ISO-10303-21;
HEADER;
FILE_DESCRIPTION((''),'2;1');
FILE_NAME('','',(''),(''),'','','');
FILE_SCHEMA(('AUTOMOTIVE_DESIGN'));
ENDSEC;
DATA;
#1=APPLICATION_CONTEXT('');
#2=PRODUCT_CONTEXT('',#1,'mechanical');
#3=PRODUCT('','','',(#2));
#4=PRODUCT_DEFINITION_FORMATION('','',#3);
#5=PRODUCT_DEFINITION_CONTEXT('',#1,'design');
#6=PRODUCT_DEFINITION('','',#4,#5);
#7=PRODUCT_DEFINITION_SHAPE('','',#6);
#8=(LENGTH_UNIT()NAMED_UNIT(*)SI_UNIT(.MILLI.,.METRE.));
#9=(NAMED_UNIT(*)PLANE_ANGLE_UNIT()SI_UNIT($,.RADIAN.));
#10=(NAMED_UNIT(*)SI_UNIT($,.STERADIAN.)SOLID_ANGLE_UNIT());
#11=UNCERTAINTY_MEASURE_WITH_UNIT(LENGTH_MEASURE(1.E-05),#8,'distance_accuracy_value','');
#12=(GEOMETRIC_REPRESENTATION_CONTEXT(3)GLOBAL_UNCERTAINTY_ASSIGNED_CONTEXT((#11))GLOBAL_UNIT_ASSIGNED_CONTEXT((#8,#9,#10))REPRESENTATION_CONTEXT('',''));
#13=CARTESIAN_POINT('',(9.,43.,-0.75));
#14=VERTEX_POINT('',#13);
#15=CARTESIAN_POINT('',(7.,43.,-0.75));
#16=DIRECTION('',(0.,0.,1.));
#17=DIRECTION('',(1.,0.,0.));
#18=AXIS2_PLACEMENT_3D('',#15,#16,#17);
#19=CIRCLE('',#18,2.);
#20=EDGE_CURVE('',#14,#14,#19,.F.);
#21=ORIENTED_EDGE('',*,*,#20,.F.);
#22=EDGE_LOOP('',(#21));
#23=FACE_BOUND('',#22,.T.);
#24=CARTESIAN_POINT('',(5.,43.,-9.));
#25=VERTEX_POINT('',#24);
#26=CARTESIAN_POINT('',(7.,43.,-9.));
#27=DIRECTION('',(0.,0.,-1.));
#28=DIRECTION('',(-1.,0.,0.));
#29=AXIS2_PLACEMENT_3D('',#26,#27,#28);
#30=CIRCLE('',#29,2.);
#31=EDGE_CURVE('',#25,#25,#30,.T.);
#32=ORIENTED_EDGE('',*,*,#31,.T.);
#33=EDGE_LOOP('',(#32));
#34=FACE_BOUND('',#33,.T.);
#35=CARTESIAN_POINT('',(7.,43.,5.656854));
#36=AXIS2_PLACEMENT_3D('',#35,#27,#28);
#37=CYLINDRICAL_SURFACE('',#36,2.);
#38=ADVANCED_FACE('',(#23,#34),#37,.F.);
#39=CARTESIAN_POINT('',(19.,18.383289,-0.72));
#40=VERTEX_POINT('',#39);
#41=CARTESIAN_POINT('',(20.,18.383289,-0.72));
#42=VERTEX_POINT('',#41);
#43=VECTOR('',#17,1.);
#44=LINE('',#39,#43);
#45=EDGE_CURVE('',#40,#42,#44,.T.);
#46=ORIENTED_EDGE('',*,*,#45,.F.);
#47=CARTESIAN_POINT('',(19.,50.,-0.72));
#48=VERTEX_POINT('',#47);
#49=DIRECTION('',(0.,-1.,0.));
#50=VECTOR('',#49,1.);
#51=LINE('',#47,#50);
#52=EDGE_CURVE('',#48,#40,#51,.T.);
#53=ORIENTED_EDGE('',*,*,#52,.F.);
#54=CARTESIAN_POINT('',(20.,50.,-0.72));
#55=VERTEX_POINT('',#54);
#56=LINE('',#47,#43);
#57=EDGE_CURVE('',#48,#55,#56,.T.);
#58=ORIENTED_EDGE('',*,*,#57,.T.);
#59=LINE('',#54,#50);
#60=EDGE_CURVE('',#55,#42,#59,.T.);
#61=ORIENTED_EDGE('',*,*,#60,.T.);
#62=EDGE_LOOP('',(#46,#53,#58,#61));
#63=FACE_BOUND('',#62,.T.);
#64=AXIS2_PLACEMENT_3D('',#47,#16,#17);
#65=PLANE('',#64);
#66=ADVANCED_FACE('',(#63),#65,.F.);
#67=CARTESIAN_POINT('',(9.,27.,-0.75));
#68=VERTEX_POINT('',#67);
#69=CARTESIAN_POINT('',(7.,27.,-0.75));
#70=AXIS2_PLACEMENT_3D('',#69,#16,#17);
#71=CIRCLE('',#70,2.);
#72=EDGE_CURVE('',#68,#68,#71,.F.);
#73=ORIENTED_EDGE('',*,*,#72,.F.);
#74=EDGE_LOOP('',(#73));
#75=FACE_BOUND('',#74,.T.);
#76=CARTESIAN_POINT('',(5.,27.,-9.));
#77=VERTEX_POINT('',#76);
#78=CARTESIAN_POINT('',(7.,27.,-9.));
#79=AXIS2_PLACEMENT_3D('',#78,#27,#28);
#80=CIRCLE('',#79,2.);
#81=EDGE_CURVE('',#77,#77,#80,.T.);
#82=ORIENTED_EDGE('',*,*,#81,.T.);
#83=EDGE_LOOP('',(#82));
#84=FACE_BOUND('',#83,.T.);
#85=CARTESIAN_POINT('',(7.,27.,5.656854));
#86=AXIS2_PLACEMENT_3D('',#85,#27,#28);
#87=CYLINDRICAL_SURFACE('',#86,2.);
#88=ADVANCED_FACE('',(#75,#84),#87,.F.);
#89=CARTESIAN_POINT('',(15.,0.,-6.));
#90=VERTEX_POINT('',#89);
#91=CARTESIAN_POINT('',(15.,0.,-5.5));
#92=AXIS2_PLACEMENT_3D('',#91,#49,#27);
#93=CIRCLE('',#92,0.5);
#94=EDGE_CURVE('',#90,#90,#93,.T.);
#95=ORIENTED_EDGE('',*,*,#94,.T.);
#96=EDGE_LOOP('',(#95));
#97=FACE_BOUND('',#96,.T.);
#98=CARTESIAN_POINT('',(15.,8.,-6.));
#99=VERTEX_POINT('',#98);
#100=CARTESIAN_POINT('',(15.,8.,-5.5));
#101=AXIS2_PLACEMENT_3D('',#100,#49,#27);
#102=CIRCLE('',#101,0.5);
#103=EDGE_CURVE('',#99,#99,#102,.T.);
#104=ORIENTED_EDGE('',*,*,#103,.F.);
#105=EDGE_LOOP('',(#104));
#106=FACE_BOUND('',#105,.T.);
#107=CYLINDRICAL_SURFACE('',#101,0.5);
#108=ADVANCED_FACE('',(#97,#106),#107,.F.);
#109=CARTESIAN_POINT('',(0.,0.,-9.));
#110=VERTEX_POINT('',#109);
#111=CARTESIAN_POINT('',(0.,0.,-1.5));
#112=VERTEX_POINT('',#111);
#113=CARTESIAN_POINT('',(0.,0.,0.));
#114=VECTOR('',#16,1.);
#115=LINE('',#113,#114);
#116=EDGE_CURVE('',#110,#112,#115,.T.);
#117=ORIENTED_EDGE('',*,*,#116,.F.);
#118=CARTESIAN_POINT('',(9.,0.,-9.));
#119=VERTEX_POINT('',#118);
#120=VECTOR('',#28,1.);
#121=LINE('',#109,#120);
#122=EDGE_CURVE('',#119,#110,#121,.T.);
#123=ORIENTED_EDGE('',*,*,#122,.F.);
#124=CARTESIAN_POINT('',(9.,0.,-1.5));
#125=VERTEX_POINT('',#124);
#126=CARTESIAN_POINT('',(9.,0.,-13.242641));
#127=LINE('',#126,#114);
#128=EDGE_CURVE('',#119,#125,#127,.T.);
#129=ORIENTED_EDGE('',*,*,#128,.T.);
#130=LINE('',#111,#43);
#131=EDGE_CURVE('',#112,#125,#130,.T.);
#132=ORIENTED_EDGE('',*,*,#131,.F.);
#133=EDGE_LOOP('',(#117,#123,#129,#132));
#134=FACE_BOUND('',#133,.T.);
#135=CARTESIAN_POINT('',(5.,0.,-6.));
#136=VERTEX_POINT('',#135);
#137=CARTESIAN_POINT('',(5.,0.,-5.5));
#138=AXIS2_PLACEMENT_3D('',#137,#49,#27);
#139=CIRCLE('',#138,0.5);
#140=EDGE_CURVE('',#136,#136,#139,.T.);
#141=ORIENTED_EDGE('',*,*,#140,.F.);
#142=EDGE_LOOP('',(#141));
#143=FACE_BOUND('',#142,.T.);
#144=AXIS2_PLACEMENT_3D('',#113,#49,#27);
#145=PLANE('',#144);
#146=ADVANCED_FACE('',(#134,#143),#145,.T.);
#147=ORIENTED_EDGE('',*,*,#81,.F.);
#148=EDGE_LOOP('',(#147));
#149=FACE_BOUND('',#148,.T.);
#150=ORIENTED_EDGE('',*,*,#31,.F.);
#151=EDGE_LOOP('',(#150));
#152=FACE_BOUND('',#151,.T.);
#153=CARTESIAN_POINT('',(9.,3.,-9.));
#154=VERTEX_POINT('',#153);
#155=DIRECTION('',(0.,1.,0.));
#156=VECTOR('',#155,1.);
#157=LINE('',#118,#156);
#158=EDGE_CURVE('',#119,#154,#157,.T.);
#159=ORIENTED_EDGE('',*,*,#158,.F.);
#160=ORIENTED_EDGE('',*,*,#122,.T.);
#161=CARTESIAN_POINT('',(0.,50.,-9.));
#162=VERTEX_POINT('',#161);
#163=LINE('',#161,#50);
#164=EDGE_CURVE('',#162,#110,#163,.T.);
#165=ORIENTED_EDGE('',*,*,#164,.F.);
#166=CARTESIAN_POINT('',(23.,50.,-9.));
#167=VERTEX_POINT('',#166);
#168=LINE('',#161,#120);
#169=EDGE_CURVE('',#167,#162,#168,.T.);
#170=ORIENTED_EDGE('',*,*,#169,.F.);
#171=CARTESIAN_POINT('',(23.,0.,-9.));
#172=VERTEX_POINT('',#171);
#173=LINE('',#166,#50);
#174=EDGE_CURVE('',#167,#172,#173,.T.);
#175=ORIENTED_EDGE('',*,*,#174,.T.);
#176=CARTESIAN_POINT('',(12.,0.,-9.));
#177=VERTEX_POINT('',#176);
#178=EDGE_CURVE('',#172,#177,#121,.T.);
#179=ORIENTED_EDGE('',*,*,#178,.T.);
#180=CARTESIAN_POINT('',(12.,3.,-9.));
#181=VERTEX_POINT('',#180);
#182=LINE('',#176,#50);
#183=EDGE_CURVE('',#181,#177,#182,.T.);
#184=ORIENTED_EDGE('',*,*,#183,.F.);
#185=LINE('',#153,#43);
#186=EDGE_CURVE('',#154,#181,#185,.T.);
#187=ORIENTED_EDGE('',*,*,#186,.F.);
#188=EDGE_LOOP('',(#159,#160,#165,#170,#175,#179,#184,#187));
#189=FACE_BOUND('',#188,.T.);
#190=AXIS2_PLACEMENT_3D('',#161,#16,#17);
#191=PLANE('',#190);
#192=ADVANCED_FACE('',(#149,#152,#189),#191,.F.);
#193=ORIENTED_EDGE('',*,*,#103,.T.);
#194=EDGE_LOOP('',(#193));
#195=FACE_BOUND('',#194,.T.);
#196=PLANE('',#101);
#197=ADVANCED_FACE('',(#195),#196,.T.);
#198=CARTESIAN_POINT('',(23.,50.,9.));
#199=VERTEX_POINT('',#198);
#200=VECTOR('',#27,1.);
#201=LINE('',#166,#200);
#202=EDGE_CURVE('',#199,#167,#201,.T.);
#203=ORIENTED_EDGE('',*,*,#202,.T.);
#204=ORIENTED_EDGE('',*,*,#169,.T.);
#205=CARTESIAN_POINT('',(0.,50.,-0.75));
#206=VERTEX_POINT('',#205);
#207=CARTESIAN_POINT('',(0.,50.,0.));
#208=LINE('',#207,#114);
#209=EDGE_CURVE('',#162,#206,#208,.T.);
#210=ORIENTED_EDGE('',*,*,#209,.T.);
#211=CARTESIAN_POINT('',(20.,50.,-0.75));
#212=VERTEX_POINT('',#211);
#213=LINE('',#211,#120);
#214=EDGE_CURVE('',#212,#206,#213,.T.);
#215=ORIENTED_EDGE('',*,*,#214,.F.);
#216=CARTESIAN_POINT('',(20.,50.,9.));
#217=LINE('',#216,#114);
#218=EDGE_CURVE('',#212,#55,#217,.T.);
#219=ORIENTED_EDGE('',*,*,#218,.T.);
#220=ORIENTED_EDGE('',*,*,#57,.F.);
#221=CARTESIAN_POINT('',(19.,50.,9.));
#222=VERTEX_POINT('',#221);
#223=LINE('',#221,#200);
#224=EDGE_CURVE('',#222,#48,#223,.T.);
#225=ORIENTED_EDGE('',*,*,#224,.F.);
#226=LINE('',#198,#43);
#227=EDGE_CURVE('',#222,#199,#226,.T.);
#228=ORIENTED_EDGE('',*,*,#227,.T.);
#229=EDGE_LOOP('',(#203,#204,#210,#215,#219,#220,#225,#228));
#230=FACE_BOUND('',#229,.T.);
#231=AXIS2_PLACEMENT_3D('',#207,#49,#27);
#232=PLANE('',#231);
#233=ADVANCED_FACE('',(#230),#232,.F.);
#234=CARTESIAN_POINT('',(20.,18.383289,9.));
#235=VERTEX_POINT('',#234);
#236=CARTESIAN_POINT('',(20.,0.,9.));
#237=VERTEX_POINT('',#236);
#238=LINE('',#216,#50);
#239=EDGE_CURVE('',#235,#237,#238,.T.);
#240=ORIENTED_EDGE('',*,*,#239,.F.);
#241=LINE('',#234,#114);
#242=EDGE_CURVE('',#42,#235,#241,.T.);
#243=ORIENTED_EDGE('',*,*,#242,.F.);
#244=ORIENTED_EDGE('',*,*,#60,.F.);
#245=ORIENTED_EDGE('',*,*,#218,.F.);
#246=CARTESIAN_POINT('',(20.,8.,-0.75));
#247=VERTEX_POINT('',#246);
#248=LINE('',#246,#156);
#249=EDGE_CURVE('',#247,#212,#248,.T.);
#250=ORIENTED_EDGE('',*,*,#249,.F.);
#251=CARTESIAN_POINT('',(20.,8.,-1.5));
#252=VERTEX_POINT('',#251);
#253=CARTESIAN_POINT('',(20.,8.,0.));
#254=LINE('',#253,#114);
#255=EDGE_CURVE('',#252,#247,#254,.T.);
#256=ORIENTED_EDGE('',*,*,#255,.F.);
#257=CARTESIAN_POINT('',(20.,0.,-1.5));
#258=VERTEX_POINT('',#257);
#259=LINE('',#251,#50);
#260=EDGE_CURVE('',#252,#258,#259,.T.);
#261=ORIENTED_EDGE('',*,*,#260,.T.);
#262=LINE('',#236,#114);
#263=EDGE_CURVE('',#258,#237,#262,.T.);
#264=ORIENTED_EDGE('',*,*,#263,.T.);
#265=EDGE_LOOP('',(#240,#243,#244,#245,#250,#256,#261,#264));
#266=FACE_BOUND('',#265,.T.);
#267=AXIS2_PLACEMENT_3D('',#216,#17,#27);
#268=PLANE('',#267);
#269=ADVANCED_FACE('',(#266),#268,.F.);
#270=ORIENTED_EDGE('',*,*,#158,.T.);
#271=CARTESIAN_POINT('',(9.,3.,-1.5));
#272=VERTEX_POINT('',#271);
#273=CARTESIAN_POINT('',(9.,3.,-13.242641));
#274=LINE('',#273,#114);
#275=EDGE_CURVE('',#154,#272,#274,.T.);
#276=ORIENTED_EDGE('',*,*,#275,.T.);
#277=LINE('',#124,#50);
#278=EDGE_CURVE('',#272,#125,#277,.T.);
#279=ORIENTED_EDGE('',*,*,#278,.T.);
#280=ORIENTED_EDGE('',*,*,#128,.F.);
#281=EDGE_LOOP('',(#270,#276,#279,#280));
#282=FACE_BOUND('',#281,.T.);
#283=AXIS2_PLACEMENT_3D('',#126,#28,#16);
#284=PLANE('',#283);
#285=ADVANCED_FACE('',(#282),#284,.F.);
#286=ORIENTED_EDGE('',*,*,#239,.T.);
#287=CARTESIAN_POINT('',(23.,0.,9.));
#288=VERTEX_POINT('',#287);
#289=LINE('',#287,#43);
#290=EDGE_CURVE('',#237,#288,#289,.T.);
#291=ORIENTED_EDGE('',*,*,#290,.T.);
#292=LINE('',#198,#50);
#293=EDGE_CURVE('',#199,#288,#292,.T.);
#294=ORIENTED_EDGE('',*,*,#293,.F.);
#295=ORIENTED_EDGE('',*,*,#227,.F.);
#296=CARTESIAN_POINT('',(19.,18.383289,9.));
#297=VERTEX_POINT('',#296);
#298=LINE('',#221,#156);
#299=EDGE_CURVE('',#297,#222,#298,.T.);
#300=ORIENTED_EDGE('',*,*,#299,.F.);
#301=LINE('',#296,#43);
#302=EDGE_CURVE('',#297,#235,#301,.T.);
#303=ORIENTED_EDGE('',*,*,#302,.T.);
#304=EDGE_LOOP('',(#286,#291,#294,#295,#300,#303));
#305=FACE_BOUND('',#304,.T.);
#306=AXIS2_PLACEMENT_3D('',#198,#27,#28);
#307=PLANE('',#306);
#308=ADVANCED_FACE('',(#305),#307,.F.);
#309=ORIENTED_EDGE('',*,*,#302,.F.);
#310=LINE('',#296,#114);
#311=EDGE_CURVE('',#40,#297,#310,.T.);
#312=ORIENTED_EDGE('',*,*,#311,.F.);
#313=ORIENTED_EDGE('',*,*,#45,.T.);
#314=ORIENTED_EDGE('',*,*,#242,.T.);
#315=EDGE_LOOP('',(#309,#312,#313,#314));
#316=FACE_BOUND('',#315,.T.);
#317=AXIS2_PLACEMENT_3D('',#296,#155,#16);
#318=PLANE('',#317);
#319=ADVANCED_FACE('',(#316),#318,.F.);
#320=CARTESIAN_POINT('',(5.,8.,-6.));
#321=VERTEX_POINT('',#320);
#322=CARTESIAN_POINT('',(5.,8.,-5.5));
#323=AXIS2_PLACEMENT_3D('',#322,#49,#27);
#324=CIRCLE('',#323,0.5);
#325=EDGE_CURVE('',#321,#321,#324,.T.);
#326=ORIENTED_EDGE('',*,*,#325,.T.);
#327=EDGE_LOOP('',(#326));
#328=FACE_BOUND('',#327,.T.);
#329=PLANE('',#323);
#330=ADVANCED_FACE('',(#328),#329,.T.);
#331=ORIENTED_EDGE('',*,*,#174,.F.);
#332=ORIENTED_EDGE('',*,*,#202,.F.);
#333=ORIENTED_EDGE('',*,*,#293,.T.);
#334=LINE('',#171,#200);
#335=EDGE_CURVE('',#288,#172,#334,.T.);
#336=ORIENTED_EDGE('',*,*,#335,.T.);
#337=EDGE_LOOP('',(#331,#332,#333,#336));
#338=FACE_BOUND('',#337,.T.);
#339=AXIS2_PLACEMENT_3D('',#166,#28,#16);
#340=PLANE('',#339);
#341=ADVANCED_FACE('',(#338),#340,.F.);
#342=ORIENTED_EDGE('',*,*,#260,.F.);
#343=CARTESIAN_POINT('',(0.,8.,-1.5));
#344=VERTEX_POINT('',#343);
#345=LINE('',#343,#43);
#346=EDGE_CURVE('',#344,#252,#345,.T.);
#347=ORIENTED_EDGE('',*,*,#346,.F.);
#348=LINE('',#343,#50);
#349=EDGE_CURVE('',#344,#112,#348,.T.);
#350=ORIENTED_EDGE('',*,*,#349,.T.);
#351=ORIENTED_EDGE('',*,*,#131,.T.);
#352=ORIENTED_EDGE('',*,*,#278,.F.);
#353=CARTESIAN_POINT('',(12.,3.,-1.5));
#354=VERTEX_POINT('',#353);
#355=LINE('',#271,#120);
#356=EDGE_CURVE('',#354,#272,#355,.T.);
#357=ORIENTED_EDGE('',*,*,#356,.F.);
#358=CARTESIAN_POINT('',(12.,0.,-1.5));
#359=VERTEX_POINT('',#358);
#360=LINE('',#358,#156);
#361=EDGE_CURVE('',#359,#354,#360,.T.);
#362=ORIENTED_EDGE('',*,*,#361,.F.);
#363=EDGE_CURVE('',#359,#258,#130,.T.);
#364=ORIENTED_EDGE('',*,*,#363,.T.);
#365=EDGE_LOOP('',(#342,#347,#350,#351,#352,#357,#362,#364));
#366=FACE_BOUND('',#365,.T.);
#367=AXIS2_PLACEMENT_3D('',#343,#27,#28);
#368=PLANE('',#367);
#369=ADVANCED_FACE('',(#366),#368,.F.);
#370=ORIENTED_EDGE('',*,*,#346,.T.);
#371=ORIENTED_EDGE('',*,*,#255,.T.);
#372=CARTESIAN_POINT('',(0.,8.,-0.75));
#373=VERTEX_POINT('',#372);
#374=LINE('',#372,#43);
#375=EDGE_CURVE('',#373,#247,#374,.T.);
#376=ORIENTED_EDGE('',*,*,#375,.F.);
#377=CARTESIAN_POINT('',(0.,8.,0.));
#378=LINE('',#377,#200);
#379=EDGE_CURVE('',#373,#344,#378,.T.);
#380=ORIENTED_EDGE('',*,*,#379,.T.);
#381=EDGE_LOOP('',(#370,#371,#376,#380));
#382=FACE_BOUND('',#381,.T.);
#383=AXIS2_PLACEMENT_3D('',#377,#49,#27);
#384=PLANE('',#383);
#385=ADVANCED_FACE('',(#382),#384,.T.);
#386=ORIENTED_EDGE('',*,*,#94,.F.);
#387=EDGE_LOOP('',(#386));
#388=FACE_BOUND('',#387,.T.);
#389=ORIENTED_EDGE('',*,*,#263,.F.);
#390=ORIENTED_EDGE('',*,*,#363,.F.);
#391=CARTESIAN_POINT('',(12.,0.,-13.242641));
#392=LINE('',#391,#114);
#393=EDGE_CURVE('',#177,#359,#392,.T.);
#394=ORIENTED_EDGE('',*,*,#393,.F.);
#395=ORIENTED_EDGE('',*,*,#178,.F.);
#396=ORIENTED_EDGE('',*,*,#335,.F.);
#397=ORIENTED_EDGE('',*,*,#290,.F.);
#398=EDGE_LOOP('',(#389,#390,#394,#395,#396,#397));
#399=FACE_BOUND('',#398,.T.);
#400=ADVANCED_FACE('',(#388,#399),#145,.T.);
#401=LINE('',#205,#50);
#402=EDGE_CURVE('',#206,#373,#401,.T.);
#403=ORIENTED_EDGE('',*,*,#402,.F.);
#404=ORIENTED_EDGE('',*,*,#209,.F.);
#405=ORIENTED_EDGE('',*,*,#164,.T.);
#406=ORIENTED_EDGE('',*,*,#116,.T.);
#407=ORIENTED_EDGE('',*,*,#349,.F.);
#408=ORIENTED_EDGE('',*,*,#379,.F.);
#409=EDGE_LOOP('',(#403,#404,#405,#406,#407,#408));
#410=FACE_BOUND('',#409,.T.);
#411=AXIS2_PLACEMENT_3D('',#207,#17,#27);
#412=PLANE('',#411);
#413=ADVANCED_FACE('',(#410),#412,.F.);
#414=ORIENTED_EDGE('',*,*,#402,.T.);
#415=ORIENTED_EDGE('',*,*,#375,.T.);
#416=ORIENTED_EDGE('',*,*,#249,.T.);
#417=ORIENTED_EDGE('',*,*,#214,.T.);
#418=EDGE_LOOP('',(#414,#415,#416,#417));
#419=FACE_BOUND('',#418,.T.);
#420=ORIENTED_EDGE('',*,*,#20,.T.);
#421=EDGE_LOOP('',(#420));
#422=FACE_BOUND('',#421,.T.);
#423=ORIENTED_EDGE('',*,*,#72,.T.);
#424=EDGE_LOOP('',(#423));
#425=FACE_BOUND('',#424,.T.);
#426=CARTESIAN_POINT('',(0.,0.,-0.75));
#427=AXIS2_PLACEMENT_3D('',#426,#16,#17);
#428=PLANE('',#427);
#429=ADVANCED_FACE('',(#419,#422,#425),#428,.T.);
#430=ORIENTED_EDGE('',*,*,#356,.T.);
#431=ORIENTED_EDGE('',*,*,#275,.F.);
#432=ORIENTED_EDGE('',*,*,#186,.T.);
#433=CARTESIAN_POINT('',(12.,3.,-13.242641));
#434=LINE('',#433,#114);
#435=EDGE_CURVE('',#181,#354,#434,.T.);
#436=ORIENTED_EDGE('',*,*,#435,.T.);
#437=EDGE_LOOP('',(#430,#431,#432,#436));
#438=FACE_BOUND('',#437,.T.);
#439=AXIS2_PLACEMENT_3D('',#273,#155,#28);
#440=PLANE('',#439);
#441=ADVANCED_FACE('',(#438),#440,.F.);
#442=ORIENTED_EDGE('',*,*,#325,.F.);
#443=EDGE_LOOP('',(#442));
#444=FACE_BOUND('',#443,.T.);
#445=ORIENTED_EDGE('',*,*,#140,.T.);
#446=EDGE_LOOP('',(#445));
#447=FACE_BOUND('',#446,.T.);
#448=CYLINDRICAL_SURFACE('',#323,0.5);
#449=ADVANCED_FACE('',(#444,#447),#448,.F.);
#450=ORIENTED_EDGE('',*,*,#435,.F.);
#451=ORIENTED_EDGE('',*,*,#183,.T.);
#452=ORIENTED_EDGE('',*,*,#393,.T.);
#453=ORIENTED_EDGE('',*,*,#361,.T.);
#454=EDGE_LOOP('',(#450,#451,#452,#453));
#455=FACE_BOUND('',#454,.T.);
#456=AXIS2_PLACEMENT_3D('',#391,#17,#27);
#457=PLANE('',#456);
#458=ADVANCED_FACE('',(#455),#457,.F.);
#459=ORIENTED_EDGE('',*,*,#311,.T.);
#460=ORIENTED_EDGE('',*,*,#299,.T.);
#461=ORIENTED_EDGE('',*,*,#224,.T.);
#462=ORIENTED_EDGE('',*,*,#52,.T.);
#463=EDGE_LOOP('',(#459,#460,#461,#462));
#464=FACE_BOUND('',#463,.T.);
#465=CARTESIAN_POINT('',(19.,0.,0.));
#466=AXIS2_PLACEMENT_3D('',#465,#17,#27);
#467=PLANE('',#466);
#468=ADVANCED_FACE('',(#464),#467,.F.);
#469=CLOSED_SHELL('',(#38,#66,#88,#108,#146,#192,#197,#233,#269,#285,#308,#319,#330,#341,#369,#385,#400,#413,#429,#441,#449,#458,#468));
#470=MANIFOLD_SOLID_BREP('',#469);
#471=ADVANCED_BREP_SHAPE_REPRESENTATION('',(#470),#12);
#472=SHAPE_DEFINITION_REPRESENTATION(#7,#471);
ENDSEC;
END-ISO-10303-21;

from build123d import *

# Parameters (mm, degrees)
BOSS_EXTRUDE1_DEPTH = 50
SKETCH4_W           = 20
SKETCH4_H           = 1.5
CUT_EXTRUDE1_DEPTH  = 8
SKETCH5_R           = 0.5
CUT_EXTRUDE2_DEPTH  = 8
SKETCH6_W           = 3
SKETCH6_H           = 3
CUT_EXTRUDE3_DEPTH  = 7.5
SKETCH7_R           = 2
CUT_EXTRUDE4_DEPTH  = 9
SKETCH8_W           = 20
SKETCH8_H           = 42
CUT_EXTRUDE5_DEPTH  = 0.75
SKETCH9_W           = 9.72
SKETCH9_H           = 31.616710758
BOSS_EXTRUDE2_DEPTH = 1


with BuildPart() as part:
    # Sketch3 → Boss-Extrude1 (new body)
    with BuildSketch(Plane(origin=(0, 0, 0), x_dir=(1, 0, 0), z_dir=(0, 1, 0))):
        Polygon((0, 0), (0, 9), (23, 9), (23, -9), (20, -9), (20, 0), align=None)
    extrude(amount=BOSS_EXTRUDE1_DEPTH)

    # Sketch4 → Cut-Extrude1 (cut)
    with BuildSketch(Plane.XZ):
        with Locations((10, -0.75)):
            Rectangle(SKETCH4_W, SKETCH4_H)
    extrude(amount=-CUT_EXTRUDE1_DEPTH, mode=Mode.SUBTRACT)

    # Sketch5 → Cut-Extrude2 (cut)
    with BuildSketch(Plane.XZ):
        with Locations(Location((5, -5.5, 0), (0, 0, 270))):
            Circle(SKETCH5_R)
        with Locations(Location((15, -5.5, 0), (0, 0, 270))):
            Circle(SKETCH5_R)
    extrude(amount=-CUT_EXTRUDE2_DEPTH, mode=Mode.SUBTRACT)

    # Sketch6 → Cut-Extrude3 (cut)
    with BuildSketch(Plane.XY.offset(-1.5)):
        with Locations((10.5, 1.5)):
            Rectangle(SKETCH6_W, SKETCH6_H)
    extrude(amount=-CUT_EXTRUDE3_DEPTH, mode=Mode.SUBTRACT)

    # Sketch7 → Cut-Extrude4 (cut)
    with BuildSketch(Plane(origin=(0, 0, -9), x_dir=(-1, 0, 0), z_dir=(0, 0, -1))):
        with Locations((-7, 27)):
            Circle(SKETCH7_R)
        with Locations((-7, 43)):
            Circle(SKETCH7_R)
    extrude(amount=-CUT_EXTRUDE4_DEPTH, mode=Mode.SUBTRACT)

    # Sketch8 → Cut-Extrude5 (cut)
    with BuildSketch(Plane.XY):
        with Locations((10, 29)):
            Rectangle(SKETCH8_W, SKETCH8_H)
    extrude(amount=-CUT_EXTRUDE5_DEPTH, mode=Mode.SUBTRACT)

    # Sketch9 → Boss-Extrude2 (add)
    with BuildSketch(Plane.ZY.offset(-20)):
        with Locations((4.14, 34.191644621)):
            Rectangle(SKETCH9_W, SKETCH9_H)
    extrude(amount=BOSS_EXTRUDE2_DEPTH)


solid = part.part
